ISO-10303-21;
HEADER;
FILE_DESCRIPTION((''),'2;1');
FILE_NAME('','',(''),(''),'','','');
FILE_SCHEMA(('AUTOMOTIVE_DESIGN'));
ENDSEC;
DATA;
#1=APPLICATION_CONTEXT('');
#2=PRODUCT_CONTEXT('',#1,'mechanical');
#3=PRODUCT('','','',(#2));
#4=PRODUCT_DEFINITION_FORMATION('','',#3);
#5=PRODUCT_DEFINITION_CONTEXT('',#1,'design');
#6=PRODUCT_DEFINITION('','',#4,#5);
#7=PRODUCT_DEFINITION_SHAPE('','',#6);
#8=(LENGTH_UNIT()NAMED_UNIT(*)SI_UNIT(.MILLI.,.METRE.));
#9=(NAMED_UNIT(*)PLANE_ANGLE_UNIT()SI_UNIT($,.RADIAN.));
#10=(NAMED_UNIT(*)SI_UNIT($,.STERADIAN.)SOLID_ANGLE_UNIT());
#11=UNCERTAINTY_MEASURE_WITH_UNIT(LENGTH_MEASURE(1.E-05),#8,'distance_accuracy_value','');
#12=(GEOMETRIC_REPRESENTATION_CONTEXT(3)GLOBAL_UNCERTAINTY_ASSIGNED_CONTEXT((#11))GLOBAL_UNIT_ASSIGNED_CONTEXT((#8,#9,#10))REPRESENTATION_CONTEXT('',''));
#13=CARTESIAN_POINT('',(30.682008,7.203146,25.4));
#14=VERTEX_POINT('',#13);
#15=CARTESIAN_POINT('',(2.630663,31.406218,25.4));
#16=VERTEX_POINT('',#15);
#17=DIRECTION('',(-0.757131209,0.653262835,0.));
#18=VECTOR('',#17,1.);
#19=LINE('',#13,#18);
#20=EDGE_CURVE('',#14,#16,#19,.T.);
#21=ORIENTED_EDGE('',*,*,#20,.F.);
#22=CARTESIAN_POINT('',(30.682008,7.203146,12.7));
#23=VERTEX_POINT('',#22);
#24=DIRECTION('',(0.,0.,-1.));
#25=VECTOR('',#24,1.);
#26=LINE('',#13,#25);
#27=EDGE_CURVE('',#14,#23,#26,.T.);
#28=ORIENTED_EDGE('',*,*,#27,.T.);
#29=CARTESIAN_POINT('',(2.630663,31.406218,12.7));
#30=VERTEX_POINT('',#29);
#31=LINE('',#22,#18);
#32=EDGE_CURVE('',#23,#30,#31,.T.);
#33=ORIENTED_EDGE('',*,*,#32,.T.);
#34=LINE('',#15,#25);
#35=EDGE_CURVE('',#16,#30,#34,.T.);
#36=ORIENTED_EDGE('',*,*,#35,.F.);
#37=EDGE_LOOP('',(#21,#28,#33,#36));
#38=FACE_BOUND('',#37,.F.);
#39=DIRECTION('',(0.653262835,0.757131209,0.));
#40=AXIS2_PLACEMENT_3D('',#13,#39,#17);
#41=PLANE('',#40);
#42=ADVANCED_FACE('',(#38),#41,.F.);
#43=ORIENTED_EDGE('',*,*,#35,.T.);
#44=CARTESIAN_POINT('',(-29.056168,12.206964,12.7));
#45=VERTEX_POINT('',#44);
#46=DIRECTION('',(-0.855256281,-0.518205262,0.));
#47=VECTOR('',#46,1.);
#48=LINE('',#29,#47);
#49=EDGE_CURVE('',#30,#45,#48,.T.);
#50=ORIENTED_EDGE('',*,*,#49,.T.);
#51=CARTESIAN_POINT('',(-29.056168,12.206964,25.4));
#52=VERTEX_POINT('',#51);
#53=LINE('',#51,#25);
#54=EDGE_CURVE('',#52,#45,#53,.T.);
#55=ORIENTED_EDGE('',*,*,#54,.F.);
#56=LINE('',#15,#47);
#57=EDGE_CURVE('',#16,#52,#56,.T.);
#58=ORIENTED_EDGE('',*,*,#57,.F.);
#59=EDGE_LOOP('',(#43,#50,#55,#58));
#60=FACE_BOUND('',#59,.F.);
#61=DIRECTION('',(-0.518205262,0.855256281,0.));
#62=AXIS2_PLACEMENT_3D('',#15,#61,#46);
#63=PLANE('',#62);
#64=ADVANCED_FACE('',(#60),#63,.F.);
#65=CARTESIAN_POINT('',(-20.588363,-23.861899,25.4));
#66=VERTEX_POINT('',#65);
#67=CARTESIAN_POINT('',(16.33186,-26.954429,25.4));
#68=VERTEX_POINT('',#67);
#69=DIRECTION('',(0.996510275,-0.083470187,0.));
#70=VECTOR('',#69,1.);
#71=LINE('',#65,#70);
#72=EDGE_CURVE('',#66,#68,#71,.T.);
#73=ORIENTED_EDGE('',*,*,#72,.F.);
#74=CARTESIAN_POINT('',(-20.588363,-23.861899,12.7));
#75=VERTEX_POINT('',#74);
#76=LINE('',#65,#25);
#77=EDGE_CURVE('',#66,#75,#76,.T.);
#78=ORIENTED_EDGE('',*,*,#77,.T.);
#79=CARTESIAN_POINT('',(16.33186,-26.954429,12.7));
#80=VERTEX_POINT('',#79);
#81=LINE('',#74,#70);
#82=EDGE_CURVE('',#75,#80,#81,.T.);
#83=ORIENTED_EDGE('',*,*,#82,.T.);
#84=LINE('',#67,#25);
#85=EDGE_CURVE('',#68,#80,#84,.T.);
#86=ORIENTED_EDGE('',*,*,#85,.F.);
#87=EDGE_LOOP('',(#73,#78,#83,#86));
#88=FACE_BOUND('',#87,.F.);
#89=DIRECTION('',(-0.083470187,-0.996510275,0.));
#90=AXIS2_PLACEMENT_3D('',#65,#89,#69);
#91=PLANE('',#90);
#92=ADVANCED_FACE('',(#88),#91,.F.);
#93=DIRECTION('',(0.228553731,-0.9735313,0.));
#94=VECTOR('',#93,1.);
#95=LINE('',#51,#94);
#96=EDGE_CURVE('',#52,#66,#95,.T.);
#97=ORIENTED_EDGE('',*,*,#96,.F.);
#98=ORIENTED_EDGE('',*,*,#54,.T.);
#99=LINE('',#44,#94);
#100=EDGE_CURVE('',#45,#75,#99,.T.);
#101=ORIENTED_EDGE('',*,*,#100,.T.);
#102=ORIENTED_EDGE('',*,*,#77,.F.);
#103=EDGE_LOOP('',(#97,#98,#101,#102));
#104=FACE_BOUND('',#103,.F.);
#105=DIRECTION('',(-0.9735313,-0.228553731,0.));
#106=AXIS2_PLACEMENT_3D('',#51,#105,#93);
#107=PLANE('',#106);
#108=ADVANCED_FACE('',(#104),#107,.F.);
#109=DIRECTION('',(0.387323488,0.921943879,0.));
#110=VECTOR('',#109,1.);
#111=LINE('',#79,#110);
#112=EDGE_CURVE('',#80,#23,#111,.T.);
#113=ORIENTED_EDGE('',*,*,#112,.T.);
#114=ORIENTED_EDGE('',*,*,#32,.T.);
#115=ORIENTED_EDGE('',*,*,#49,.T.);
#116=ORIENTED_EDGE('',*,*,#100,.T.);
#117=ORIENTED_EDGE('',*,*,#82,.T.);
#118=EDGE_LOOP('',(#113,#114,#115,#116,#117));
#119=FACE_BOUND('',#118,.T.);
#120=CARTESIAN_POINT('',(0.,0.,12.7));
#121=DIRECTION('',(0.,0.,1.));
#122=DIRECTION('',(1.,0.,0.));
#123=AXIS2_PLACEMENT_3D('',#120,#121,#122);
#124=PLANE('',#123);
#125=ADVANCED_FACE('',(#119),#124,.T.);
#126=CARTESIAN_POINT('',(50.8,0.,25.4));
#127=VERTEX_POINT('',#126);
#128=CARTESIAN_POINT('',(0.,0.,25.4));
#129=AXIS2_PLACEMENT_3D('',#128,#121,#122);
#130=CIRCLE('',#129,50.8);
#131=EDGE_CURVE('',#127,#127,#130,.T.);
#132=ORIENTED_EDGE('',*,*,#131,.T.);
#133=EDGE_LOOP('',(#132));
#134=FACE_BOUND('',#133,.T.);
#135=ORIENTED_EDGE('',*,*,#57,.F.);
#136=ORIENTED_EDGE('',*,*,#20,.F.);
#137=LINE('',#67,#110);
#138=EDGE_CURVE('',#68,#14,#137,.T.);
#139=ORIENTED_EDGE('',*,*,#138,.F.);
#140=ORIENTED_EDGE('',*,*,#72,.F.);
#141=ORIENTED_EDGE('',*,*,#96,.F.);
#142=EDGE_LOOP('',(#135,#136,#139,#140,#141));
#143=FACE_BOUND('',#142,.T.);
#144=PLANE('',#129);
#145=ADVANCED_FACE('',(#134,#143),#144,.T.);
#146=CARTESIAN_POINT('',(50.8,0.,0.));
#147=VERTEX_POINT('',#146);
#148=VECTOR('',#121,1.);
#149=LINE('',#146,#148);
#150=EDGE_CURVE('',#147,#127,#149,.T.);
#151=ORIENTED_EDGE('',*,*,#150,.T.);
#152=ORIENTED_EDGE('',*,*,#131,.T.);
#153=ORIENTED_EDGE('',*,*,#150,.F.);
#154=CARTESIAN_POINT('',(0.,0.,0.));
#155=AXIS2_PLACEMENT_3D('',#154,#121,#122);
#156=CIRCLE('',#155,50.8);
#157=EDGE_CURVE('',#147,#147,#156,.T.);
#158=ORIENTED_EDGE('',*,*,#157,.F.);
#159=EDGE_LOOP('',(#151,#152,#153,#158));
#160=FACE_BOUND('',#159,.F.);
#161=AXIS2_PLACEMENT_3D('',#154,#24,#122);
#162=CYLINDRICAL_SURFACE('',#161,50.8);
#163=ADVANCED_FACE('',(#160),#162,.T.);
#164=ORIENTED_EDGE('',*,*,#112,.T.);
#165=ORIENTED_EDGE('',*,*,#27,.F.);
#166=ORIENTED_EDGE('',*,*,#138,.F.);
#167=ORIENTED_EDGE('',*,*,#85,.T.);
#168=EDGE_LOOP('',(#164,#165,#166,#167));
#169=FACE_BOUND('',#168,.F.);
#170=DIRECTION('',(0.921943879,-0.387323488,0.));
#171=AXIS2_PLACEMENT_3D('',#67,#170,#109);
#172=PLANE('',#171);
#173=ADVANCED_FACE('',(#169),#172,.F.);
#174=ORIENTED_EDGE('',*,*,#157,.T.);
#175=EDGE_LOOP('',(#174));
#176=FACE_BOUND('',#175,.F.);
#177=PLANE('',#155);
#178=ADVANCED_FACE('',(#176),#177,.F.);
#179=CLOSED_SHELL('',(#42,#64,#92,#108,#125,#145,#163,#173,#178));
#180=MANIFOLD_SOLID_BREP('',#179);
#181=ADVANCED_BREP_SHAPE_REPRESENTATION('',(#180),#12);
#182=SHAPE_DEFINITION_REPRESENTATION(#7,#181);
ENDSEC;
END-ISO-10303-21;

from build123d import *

# Parameters (mm, degrees)
F0_R     = 50.8
F1_DEPTH = 25.4
F3_DEPTH = 12.7


with BuildPart() as f1:
    # F0 (on Top) → F1 (new body)
    with BuildSketch(Plane.XY):
        Circle(F0_R)
    extrude(amount=F1_DEPTH)

    # F2 (on face) → F3 (cut)
    with BuildSketch(Plane.XY.offset(25.4)):
        Polygon((30.682008, 7.203146), (2.630663, 31.406218), (-29.056168, 12.206964), (-20.588363, -23.861899), (16.33186, -26.954429), align=None)
    extrude(amount=-F3_DEPTH, mode=Mode.SUBTRACT)


solid = f1.part
